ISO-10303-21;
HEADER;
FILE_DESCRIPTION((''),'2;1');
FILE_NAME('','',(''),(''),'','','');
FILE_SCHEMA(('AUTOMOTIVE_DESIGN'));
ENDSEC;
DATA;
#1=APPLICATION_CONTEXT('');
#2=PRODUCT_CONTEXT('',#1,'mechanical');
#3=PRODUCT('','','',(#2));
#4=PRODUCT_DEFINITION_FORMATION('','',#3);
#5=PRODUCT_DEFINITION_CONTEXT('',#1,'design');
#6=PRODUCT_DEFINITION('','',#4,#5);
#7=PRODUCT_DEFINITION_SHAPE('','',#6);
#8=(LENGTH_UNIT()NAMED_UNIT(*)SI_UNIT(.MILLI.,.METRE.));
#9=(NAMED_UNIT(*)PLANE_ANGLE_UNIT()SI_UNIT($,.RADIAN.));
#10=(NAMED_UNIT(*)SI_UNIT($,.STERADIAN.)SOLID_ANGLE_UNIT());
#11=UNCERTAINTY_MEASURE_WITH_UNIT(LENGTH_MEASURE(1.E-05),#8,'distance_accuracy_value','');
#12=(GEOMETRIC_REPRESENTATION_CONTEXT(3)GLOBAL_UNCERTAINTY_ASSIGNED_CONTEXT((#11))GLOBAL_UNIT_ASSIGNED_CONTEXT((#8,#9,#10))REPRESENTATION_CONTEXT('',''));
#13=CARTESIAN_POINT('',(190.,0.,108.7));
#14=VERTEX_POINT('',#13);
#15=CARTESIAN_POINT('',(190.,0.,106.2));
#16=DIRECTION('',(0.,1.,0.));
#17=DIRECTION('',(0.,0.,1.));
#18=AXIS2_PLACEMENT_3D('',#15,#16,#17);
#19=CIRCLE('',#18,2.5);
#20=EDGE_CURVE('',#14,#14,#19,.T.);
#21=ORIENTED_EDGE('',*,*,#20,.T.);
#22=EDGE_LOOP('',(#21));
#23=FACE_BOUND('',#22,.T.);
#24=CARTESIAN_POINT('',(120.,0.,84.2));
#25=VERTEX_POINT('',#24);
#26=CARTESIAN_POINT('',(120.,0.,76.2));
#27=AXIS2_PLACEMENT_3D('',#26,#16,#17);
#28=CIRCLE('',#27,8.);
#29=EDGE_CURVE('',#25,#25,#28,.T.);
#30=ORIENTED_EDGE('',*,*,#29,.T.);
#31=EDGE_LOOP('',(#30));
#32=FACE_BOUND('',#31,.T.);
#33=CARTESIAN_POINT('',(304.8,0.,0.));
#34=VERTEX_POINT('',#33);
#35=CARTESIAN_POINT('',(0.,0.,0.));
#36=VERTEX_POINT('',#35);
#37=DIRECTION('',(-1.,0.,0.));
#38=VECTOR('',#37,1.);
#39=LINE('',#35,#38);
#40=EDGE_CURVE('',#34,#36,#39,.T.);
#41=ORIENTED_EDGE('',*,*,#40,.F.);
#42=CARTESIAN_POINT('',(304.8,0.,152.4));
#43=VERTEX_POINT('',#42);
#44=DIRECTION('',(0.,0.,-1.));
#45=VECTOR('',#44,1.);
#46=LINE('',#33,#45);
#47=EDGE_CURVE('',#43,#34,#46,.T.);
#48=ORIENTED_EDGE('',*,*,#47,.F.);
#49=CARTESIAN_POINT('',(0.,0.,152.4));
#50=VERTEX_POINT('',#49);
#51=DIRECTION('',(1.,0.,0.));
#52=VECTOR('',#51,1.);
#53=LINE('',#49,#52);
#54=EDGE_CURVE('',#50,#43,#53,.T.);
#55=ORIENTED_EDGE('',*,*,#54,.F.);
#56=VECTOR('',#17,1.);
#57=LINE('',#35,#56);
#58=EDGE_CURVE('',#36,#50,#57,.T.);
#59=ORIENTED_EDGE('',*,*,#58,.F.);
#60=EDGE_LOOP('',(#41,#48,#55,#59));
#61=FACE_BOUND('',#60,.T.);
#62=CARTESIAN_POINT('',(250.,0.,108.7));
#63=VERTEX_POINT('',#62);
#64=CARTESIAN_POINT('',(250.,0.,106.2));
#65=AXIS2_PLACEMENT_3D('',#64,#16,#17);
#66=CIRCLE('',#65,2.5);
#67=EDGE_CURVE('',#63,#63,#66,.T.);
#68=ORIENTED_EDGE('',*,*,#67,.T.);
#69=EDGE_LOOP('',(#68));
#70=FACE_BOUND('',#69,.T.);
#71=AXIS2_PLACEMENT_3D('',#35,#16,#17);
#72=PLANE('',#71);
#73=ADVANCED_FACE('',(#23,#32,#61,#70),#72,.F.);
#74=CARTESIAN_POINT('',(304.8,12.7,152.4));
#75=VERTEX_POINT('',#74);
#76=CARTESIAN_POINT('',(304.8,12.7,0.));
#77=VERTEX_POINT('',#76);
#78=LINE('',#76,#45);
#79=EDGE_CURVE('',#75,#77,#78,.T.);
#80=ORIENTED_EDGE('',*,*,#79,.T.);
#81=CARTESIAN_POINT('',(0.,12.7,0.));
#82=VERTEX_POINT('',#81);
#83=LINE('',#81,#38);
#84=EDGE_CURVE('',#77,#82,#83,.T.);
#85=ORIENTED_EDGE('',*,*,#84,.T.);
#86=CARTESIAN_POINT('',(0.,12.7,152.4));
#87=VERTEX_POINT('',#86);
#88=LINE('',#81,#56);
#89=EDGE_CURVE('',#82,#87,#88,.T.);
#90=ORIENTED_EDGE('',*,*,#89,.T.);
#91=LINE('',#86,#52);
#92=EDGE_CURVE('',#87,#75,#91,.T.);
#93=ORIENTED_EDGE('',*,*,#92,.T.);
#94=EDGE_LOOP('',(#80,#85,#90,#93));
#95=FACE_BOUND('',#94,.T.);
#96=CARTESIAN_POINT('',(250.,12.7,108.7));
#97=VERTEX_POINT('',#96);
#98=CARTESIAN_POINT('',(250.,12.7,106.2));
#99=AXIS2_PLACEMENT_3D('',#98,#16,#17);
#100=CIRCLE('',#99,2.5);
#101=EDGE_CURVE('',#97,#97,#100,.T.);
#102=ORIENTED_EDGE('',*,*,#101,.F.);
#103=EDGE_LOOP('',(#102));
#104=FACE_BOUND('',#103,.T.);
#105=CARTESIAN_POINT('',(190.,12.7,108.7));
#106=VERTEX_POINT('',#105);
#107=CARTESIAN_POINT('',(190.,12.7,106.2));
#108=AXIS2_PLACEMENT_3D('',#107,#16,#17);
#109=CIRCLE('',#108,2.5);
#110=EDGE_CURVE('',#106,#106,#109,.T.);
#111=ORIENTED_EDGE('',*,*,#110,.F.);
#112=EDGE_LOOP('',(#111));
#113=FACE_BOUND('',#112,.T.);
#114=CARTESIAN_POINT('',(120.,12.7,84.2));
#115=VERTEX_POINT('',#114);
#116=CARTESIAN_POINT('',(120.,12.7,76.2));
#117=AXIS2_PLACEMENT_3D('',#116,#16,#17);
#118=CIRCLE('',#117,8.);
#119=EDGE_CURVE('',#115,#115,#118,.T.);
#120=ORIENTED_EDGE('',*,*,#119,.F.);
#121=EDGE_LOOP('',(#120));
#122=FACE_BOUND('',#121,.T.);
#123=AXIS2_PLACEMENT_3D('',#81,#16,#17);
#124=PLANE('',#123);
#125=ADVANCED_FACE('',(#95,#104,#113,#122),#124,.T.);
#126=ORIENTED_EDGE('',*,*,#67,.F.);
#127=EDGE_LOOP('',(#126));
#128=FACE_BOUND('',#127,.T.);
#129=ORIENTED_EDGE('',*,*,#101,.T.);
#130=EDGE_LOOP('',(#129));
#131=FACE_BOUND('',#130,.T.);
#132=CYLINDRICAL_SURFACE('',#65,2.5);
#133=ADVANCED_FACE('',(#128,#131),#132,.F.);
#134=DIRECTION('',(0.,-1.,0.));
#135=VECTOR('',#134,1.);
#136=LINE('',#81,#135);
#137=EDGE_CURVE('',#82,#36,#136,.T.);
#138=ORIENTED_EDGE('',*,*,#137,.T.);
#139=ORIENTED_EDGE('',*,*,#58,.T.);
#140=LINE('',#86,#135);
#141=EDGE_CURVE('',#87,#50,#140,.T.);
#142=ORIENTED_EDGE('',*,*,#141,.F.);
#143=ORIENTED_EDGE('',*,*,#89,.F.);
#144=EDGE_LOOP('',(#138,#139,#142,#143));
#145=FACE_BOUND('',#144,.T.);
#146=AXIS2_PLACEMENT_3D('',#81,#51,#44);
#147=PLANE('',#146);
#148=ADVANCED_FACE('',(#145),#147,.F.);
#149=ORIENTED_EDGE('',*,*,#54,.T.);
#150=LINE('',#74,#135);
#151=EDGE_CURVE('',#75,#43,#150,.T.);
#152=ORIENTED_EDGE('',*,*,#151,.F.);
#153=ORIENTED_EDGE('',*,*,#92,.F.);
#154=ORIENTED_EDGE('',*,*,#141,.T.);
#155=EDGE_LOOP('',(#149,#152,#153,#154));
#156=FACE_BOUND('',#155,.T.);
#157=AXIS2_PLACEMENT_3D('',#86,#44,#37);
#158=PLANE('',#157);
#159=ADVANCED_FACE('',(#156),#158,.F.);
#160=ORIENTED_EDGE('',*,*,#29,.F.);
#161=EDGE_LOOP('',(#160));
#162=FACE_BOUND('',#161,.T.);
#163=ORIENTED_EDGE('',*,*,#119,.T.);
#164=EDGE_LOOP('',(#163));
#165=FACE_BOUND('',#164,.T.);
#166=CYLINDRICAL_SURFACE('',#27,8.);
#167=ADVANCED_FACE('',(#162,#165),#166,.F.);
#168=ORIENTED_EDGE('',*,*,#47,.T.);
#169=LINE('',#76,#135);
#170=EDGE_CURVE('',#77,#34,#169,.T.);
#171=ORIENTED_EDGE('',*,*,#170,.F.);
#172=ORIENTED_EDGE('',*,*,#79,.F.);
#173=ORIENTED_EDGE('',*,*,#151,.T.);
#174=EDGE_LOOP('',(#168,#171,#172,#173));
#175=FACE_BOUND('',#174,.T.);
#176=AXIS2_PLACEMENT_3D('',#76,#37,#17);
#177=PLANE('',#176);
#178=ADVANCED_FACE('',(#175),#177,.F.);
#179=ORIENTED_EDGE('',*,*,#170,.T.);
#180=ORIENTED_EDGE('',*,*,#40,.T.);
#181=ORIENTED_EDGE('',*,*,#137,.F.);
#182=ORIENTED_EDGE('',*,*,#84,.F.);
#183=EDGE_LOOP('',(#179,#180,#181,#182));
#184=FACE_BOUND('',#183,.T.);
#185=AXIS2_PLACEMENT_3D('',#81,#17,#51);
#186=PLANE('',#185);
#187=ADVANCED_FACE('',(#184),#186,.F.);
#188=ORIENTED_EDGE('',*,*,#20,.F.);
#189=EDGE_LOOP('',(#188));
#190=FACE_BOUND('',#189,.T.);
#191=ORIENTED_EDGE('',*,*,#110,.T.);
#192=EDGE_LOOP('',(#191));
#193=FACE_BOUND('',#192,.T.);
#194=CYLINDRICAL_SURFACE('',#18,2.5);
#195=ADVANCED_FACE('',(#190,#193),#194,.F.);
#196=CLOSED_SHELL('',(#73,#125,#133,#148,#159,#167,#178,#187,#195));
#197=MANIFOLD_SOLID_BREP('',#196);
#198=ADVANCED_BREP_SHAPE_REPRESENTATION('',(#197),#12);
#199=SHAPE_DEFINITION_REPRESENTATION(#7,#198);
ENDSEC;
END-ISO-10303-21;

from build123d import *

# Parameters (mm, degrees)
SKETCH1_W           = 304.8
SKETCH1_H           = 152.4
BOSS_EXTRUDE1_DEPTH = 12.7
SKETCH2_R           = 8
SKETCH2_R_2         = 2.5
CUT_EXTRUDE1_DEPTH  = 13.7


with BuildPart() as part:
    # Sketch1 → Boss-Extrude1 (new body)
    with BuildSketch(Plane(origin=(0, 0, 0), x_dir=(1, 0, 0), z_dir=(0, 1, 0))):
        with Locations((152.4, -76.2)):
            Rectangle(SKETCH1_W, SKETCH1_H)
    extrude(amount=BOSS_EXTRUDE1_DEPTH)

    # Sketch2 → Cut-Extrude1 (cut, through all)
    with BuildSketch(Plane(origin=(0, 12.7, 0), x_dir=(1, 0, 0), z_dir=(0, 1, 0))):
        with Locations((120, -76.2)):
            Circle(SKETCH2_R)
        with Locations((250, -106.2)):
            Circle(SKETCH2_R_2)
        with Locations((190, -106.2)):
            Circle(SKETCH2_R_2)
    extrude(amount=-CUT_EXTRUDE1_DEPTH, mode=Mode.SUBTRACT)


solid = part.part
